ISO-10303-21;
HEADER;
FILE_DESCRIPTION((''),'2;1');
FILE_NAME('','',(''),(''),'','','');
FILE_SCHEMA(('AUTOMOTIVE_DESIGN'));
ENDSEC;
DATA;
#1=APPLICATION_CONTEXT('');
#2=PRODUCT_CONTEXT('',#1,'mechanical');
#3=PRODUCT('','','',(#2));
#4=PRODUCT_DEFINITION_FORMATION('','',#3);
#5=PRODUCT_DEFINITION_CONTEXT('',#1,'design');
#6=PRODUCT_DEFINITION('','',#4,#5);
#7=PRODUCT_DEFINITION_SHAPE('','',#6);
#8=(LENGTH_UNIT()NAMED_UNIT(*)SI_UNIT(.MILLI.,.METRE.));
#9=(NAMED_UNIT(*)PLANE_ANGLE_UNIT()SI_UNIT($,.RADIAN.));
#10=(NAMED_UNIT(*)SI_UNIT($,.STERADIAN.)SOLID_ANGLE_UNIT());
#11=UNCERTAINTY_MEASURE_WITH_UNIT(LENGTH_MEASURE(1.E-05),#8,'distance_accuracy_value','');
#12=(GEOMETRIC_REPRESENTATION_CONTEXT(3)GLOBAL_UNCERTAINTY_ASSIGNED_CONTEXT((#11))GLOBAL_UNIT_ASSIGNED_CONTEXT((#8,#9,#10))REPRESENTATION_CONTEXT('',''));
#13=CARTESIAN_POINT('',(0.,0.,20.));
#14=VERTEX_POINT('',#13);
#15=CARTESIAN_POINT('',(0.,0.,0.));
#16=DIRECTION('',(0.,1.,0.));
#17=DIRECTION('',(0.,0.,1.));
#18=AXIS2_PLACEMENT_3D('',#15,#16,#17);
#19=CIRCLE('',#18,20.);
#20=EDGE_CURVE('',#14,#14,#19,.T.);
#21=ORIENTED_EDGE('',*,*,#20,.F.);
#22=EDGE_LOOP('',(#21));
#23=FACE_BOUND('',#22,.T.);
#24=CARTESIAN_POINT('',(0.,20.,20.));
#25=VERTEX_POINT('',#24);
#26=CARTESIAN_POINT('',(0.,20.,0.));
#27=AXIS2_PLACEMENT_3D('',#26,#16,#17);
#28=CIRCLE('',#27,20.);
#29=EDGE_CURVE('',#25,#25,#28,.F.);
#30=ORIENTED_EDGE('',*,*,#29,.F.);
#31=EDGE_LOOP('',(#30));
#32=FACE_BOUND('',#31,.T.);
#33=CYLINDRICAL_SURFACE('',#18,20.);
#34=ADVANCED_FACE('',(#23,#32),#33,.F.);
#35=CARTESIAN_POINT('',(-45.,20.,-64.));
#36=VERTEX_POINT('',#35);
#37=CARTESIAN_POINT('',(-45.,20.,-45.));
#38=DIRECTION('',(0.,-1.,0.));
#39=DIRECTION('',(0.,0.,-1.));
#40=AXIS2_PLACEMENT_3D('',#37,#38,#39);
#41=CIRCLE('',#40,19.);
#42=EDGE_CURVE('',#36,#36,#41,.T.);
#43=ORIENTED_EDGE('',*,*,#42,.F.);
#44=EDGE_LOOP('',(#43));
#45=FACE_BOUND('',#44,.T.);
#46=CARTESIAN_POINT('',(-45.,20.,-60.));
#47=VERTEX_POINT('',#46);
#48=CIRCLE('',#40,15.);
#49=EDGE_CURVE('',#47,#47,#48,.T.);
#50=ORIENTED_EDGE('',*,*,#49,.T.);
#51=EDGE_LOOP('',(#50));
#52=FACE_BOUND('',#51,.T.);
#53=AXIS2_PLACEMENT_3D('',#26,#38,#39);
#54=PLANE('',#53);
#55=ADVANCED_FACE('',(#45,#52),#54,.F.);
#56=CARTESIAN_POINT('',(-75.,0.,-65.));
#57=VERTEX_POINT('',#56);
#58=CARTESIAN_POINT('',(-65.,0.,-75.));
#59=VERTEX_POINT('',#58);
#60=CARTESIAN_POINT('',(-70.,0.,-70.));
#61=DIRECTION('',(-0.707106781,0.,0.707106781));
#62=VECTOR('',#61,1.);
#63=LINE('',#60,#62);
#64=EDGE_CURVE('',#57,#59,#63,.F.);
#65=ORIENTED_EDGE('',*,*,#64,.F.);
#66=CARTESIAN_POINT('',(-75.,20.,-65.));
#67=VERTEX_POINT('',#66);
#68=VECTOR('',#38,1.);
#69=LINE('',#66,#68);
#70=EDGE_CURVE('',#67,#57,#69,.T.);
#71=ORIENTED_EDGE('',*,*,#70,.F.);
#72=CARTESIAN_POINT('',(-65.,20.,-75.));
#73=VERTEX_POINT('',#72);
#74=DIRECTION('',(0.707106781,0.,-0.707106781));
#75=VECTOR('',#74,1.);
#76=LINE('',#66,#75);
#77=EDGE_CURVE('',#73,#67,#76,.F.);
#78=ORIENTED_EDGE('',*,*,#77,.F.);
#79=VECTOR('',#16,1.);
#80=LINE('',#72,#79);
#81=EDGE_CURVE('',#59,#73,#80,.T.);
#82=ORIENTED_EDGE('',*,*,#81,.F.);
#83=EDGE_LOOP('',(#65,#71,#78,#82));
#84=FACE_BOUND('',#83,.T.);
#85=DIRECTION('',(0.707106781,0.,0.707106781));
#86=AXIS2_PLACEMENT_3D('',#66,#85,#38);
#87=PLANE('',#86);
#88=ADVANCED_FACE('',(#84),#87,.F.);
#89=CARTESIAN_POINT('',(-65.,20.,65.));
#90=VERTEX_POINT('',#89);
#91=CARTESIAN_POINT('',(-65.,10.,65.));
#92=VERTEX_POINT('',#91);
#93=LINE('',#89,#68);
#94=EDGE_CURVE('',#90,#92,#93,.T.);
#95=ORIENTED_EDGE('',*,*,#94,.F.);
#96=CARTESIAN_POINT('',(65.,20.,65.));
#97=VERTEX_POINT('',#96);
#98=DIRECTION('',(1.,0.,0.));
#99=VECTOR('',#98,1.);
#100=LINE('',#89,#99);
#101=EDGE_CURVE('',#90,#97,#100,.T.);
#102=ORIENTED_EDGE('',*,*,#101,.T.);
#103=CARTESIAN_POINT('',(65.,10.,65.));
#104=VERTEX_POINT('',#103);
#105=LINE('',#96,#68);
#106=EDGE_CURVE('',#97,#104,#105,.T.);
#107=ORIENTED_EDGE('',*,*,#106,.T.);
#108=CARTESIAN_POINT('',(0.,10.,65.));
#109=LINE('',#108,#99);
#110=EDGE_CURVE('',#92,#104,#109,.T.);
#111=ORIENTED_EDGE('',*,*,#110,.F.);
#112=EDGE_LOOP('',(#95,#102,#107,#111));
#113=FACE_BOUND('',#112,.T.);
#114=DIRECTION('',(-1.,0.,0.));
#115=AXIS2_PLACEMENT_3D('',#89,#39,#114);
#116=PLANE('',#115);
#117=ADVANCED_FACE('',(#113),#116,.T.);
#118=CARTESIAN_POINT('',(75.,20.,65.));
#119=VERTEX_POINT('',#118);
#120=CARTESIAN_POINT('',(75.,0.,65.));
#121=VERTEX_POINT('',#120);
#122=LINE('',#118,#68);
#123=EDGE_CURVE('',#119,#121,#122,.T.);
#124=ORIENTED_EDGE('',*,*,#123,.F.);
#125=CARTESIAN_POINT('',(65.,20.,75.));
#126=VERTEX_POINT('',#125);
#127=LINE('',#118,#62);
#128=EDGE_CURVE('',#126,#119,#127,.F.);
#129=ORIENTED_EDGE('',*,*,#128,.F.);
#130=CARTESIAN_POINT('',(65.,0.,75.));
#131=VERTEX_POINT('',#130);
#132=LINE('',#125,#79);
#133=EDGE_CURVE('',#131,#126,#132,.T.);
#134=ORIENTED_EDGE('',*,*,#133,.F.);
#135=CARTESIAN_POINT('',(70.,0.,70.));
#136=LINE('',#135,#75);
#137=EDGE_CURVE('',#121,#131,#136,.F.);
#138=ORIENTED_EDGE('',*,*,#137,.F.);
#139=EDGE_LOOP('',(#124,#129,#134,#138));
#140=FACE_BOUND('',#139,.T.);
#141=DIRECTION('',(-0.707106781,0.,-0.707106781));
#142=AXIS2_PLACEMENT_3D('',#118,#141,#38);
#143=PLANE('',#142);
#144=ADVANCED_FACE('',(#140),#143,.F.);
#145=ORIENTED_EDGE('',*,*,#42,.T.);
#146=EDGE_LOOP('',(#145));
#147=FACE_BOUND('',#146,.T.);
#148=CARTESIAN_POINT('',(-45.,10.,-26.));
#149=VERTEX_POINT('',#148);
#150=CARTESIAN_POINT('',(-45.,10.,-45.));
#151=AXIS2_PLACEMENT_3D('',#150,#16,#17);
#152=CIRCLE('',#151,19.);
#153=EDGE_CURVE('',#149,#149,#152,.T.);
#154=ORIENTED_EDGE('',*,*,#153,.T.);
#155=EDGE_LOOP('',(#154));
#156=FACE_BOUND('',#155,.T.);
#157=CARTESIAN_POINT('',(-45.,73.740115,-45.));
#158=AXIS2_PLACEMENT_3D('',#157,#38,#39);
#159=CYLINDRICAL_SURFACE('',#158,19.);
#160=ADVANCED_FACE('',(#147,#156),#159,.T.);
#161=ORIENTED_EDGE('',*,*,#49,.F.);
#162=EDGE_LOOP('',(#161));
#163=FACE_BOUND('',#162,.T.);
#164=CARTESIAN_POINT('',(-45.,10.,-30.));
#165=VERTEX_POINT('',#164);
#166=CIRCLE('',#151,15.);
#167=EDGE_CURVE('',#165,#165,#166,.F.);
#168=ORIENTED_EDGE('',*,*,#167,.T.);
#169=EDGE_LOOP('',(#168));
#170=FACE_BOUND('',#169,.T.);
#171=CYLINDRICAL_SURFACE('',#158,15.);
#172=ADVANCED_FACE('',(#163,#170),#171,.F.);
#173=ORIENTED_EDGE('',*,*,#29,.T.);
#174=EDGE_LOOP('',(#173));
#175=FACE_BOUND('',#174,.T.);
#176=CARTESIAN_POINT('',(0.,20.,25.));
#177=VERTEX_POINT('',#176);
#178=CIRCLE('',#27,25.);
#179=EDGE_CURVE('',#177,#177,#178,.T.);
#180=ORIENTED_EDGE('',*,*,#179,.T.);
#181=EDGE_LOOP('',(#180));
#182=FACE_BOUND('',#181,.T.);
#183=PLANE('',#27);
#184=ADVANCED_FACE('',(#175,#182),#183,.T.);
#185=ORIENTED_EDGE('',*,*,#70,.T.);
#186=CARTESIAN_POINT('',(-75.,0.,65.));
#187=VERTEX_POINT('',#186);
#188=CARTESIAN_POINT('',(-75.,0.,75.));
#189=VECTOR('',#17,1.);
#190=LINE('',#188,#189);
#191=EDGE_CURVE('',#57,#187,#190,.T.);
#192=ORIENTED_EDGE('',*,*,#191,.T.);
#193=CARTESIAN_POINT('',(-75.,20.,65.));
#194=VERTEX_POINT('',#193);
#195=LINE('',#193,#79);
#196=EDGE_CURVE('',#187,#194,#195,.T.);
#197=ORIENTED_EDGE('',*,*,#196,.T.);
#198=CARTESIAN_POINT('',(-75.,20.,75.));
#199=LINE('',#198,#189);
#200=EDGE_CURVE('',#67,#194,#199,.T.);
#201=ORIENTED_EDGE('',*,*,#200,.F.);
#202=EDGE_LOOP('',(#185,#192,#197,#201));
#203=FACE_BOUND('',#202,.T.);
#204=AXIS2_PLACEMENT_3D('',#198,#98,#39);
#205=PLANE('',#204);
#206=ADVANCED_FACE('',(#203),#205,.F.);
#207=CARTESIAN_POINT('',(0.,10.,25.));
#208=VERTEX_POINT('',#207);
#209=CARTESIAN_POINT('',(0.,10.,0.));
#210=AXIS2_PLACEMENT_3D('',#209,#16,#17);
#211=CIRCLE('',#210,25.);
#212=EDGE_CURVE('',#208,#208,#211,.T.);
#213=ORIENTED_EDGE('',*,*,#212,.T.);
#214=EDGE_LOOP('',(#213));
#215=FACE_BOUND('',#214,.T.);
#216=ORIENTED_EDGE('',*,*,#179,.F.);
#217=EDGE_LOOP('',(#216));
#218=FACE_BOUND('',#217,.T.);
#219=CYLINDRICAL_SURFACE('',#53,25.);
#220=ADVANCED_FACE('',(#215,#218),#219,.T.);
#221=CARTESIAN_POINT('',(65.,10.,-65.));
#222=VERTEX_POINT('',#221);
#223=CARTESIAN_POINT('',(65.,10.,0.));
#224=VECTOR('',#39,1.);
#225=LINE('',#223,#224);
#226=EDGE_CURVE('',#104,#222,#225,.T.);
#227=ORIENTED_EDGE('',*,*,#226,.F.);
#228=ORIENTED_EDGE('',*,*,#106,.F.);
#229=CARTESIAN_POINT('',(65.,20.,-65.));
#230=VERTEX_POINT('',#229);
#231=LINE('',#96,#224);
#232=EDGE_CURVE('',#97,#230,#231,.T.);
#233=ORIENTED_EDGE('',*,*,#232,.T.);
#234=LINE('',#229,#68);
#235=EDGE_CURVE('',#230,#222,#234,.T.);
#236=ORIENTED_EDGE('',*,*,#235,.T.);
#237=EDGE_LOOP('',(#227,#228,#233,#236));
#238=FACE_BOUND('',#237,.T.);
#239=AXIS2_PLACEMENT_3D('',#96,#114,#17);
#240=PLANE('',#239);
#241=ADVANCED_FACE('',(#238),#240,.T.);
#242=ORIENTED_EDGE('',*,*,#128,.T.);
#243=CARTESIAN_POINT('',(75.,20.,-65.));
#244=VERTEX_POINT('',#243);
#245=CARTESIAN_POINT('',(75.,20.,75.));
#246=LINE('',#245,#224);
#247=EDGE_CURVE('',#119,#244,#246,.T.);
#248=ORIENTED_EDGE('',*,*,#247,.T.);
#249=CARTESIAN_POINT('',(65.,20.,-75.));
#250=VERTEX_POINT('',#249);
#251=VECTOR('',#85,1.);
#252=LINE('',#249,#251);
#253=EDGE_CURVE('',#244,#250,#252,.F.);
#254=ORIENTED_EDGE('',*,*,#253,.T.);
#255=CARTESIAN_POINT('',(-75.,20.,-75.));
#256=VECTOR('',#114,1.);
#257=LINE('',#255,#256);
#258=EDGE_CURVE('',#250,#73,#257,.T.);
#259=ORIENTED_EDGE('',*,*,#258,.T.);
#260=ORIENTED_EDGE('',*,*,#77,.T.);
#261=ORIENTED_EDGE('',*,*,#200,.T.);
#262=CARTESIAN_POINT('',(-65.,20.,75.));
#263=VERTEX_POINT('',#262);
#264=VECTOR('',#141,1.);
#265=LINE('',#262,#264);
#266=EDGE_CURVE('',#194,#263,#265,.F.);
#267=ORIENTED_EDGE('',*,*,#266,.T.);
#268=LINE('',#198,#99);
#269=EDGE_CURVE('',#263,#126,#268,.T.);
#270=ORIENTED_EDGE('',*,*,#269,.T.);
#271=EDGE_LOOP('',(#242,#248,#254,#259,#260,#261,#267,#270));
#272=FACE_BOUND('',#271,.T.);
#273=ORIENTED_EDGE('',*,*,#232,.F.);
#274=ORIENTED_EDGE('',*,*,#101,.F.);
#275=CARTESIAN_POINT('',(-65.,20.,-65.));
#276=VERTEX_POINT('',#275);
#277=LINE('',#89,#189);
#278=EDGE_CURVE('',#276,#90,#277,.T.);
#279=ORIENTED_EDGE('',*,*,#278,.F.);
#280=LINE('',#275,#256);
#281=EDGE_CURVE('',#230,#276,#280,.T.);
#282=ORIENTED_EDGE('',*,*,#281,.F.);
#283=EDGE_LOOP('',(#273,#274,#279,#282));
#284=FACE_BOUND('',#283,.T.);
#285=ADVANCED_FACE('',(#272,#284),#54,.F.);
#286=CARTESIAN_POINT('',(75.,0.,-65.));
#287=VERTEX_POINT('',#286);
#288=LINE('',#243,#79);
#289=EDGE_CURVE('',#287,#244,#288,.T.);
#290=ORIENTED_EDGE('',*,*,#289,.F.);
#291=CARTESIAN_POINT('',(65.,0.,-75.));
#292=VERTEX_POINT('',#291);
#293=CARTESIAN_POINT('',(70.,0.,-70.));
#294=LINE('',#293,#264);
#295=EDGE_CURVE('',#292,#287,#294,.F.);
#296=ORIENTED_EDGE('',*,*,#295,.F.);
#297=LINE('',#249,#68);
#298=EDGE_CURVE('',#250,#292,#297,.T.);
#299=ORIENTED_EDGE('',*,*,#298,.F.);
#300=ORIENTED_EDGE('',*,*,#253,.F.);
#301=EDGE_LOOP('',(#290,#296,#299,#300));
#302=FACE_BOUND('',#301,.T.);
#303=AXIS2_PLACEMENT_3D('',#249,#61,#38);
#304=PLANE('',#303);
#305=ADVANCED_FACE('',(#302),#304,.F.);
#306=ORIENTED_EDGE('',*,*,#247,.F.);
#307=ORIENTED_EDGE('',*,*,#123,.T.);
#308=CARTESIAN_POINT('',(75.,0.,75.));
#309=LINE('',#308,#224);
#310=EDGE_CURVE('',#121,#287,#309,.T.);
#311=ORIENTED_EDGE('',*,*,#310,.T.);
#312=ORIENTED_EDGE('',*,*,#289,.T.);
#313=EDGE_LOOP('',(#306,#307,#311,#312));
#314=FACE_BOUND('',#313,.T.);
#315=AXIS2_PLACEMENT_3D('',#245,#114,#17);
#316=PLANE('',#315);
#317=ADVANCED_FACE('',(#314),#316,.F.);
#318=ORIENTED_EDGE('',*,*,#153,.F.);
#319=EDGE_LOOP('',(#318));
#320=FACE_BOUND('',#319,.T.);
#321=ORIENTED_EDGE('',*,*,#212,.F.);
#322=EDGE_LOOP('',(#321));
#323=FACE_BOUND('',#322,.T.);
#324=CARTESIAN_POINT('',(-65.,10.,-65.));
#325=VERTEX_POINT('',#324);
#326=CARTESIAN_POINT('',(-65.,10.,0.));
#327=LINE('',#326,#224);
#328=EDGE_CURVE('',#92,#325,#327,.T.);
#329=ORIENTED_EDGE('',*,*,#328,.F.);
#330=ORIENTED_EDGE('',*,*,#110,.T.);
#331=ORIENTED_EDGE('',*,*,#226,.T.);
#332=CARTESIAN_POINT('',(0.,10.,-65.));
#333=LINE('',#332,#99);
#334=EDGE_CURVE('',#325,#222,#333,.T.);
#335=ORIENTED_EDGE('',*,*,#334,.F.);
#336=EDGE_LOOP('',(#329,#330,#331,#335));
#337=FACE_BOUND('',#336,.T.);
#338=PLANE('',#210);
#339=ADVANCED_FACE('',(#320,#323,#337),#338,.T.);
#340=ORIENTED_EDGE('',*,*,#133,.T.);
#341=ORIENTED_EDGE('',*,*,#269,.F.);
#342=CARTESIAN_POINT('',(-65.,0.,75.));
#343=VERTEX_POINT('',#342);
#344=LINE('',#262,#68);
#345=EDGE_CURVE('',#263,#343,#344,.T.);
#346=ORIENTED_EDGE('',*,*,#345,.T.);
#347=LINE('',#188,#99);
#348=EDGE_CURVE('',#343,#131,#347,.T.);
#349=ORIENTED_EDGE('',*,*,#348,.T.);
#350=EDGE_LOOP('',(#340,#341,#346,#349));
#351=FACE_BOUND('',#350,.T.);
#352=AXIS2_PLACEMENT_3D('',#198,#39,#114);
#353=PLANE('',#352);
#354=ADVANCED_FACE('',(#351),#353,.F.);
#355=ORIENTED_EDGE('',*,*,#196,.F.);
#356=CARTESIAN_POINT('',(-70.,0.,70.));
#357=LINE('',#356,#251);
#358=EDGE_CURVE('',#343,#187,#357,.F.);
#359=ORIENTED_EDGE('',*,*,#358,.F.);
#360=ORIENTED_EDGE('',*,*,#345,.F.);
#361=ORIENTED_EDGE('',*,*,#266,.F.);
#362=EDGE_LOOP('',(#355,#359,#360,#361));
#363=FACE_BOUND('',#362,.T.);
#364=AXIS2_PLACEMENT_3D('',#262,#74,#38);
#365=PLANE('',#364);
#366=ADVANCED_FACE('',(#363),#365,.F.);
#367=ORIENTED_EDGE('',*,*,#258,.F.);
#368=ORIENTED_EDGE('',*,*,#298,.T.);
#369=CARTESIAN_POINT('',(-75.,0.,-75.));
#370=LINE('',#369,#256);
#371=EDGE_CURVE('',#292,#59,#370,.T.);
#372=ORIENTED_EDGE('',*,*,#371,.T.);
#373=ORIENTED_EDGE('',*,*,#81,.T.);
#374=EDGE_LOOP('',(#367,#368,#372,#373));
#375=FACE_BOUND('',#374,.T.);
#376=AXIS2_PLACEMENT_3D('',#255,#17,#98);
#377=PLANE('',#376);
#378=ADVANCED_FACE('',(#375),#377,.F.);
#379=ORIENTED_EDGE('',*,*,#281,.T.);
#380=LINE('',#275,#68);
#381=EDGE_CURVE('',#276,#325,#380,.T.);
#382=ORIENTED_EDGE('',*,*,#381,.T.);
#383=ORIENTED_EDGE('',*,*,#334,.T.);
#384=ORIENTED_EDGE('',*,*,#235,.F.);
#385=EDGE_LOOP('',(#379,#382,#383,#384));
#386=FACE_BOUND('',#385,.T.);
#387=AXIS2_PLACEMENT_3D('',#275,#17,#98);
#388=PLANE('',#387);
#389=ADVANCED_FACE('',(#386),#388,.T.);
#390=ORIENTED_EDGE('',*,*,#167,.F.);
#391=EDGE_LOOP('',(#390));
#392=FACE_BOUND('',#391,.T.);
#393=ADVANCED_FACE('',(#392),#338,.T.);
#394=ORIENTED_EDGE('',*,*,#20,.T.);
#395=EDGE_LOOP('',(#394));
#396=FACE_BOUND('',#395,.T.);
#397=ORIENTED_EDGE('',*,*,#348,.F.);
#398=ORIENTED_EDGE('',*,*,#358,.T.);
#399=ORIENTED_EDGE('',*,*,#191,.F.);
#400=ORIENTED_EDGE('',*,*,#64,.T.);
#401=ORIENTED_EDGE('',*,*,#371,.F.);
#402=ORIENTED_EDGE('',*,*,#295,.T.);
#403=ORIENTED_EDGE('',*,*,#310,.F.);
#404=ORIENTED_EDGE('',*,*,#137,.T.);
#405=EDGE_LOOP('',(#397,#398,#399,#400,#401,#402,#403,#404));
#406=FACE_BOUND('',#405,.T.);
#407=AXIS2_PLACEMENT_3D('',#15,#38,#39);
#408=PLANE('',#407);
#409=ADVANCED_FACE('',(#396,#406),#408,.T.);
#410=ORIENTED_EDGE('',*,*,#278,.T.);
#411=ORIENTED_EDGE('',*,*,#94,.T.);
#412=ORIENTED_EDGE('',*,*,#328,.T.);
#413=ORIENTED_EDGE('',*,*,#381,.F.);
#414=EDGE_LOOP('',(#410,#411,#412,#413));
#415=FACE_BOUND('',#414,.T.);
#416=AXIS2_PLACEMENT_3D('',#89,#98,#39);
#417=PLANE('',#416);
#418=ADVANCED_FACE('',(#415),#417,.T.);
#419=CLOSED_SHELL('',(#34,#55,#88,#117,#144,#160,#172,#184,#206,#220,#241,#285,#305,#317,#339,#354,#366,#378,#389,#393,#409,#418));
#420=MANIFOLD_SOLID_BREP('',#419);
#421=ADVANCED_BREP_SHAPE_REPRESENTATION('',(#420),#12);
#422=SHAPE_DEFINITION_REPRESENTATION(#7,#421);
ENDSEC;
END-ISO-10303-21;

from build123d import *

# Parameters (mm, degrees)
SKETCH1_W           = 150
SKETCH1_H           = 150
SKETCH1_W_2         = 130
SKETCH1_H_2         = 130
BOSS_EXTRUDE2_DEPTH = 20
SKETCH1_4_W         = 130
SKETCH1_4_H         = 130
BOSS_EXTRUDE3_DEPTH = 10
CHAMFER1_SIZE       = 10
SKETCH2_R           = 20
CUT_EXTRUDE2_DEPTH  = 10
BOSS_EXTRUDE4_START = 10
SKETCH3_R           = 25
SKETCH3_R_2         = 20
BOSS_EXTRUDE4_DEPTH = 10
SKETCH4_R           = 19
SKETCH4_R_2         = 15
BOSS_EXTRUDE5_DEPTH = 10


with BuildPart() as part:
    # Sketch1 → Boss-Extrude2 (new body)
    with BuildSketch(Plane(origin=(0, 0, 0), x_dir=(1, 0, 0), z_dir=(0, 1, 0))):
        Rectangle(SKETCH1_W, SKETCH1_H)
        Rectangle(SKETCH1_W_2, SKETCH1_H_2, mode=Mode.SUBTRACT)
    extrude(amount=BOSS_EXTRUDE2_DEPTH)

    # Sketch1<4> → Boss-Extrude3 (add)
    with BuildSketch(Plane(origin=(0, 0, 0), x_dir=(1, 0, 0), z_dir=(0, 1, 0))):
        Rectangle(SKETCH1_4_W, SKETCH1_4_H)
    extrude(amount=BOSS_EXTRUDE3_DEPTH)

    # Chamfer1
    chamfer1_edges = [part.edges().sort_by_distance(p)[0] for p in [
        (75, 10, 75),
        (-75, 10, 75),
        (-75, 10, -75),
        (75, 10, -75),
    ]]
    chamfer(chamfer1_edges, length=CHAMFER1_SIZE)

    # Sketch2 → Cut-Extrude2 (cut)
    with BuildSketch(Plane(origin=(0, 10, 0), x_dir=(1, 0, 0), z_dir=(0, 1, 0))):
        with Locations(Location((0, 0, 0), (0, 0, 270))):
            Circle(SKETCH2_R)
    extrude(amount=-CUT_EXTRUDE2_DEPTH, mode=Mode.SUBTRACT)

    # Sketch3 → Boss-Extrude4 (add)
    with BuildSketch(Plane(origin=(0, 10, 0), x_dir=(1, 0, 0), z_dir=(0, 1, 0)).offset(BOSS_EXTRUDE4_START)):
        with Locations(Location((0, 0, 0), (0, 0, 270))):
            Circle(SKETCH3_R)
        with Locations(Location((0, 0, 0), (0, 0, 270))):
            Circle(SKETCH3_R_2, mode=Mode.SUBTRACT)
    extrude(amount=-BOSS_EXTRUDE4_DEPTH)

    # Sketch4 → Boss-Extrude5 (add)
    with BuildSketch(Plane(origin=(0, 10, 0), x_dir=(1, 0, 0), z_dir=(0, 1, 0))):
        with Locations(Location((-45, 45, 0), (0, 0, 90))):
            Circle(SKETCH4_R)
        with Locations(Location((-45, 45, 0), (0, 0, 90))):
            Circle(SKETCH4_R_2, mode=Mode.SUBTRACT)
    extrude(amount=BOSS_EXTRUDE5_DEPTH)


solid = part.part
